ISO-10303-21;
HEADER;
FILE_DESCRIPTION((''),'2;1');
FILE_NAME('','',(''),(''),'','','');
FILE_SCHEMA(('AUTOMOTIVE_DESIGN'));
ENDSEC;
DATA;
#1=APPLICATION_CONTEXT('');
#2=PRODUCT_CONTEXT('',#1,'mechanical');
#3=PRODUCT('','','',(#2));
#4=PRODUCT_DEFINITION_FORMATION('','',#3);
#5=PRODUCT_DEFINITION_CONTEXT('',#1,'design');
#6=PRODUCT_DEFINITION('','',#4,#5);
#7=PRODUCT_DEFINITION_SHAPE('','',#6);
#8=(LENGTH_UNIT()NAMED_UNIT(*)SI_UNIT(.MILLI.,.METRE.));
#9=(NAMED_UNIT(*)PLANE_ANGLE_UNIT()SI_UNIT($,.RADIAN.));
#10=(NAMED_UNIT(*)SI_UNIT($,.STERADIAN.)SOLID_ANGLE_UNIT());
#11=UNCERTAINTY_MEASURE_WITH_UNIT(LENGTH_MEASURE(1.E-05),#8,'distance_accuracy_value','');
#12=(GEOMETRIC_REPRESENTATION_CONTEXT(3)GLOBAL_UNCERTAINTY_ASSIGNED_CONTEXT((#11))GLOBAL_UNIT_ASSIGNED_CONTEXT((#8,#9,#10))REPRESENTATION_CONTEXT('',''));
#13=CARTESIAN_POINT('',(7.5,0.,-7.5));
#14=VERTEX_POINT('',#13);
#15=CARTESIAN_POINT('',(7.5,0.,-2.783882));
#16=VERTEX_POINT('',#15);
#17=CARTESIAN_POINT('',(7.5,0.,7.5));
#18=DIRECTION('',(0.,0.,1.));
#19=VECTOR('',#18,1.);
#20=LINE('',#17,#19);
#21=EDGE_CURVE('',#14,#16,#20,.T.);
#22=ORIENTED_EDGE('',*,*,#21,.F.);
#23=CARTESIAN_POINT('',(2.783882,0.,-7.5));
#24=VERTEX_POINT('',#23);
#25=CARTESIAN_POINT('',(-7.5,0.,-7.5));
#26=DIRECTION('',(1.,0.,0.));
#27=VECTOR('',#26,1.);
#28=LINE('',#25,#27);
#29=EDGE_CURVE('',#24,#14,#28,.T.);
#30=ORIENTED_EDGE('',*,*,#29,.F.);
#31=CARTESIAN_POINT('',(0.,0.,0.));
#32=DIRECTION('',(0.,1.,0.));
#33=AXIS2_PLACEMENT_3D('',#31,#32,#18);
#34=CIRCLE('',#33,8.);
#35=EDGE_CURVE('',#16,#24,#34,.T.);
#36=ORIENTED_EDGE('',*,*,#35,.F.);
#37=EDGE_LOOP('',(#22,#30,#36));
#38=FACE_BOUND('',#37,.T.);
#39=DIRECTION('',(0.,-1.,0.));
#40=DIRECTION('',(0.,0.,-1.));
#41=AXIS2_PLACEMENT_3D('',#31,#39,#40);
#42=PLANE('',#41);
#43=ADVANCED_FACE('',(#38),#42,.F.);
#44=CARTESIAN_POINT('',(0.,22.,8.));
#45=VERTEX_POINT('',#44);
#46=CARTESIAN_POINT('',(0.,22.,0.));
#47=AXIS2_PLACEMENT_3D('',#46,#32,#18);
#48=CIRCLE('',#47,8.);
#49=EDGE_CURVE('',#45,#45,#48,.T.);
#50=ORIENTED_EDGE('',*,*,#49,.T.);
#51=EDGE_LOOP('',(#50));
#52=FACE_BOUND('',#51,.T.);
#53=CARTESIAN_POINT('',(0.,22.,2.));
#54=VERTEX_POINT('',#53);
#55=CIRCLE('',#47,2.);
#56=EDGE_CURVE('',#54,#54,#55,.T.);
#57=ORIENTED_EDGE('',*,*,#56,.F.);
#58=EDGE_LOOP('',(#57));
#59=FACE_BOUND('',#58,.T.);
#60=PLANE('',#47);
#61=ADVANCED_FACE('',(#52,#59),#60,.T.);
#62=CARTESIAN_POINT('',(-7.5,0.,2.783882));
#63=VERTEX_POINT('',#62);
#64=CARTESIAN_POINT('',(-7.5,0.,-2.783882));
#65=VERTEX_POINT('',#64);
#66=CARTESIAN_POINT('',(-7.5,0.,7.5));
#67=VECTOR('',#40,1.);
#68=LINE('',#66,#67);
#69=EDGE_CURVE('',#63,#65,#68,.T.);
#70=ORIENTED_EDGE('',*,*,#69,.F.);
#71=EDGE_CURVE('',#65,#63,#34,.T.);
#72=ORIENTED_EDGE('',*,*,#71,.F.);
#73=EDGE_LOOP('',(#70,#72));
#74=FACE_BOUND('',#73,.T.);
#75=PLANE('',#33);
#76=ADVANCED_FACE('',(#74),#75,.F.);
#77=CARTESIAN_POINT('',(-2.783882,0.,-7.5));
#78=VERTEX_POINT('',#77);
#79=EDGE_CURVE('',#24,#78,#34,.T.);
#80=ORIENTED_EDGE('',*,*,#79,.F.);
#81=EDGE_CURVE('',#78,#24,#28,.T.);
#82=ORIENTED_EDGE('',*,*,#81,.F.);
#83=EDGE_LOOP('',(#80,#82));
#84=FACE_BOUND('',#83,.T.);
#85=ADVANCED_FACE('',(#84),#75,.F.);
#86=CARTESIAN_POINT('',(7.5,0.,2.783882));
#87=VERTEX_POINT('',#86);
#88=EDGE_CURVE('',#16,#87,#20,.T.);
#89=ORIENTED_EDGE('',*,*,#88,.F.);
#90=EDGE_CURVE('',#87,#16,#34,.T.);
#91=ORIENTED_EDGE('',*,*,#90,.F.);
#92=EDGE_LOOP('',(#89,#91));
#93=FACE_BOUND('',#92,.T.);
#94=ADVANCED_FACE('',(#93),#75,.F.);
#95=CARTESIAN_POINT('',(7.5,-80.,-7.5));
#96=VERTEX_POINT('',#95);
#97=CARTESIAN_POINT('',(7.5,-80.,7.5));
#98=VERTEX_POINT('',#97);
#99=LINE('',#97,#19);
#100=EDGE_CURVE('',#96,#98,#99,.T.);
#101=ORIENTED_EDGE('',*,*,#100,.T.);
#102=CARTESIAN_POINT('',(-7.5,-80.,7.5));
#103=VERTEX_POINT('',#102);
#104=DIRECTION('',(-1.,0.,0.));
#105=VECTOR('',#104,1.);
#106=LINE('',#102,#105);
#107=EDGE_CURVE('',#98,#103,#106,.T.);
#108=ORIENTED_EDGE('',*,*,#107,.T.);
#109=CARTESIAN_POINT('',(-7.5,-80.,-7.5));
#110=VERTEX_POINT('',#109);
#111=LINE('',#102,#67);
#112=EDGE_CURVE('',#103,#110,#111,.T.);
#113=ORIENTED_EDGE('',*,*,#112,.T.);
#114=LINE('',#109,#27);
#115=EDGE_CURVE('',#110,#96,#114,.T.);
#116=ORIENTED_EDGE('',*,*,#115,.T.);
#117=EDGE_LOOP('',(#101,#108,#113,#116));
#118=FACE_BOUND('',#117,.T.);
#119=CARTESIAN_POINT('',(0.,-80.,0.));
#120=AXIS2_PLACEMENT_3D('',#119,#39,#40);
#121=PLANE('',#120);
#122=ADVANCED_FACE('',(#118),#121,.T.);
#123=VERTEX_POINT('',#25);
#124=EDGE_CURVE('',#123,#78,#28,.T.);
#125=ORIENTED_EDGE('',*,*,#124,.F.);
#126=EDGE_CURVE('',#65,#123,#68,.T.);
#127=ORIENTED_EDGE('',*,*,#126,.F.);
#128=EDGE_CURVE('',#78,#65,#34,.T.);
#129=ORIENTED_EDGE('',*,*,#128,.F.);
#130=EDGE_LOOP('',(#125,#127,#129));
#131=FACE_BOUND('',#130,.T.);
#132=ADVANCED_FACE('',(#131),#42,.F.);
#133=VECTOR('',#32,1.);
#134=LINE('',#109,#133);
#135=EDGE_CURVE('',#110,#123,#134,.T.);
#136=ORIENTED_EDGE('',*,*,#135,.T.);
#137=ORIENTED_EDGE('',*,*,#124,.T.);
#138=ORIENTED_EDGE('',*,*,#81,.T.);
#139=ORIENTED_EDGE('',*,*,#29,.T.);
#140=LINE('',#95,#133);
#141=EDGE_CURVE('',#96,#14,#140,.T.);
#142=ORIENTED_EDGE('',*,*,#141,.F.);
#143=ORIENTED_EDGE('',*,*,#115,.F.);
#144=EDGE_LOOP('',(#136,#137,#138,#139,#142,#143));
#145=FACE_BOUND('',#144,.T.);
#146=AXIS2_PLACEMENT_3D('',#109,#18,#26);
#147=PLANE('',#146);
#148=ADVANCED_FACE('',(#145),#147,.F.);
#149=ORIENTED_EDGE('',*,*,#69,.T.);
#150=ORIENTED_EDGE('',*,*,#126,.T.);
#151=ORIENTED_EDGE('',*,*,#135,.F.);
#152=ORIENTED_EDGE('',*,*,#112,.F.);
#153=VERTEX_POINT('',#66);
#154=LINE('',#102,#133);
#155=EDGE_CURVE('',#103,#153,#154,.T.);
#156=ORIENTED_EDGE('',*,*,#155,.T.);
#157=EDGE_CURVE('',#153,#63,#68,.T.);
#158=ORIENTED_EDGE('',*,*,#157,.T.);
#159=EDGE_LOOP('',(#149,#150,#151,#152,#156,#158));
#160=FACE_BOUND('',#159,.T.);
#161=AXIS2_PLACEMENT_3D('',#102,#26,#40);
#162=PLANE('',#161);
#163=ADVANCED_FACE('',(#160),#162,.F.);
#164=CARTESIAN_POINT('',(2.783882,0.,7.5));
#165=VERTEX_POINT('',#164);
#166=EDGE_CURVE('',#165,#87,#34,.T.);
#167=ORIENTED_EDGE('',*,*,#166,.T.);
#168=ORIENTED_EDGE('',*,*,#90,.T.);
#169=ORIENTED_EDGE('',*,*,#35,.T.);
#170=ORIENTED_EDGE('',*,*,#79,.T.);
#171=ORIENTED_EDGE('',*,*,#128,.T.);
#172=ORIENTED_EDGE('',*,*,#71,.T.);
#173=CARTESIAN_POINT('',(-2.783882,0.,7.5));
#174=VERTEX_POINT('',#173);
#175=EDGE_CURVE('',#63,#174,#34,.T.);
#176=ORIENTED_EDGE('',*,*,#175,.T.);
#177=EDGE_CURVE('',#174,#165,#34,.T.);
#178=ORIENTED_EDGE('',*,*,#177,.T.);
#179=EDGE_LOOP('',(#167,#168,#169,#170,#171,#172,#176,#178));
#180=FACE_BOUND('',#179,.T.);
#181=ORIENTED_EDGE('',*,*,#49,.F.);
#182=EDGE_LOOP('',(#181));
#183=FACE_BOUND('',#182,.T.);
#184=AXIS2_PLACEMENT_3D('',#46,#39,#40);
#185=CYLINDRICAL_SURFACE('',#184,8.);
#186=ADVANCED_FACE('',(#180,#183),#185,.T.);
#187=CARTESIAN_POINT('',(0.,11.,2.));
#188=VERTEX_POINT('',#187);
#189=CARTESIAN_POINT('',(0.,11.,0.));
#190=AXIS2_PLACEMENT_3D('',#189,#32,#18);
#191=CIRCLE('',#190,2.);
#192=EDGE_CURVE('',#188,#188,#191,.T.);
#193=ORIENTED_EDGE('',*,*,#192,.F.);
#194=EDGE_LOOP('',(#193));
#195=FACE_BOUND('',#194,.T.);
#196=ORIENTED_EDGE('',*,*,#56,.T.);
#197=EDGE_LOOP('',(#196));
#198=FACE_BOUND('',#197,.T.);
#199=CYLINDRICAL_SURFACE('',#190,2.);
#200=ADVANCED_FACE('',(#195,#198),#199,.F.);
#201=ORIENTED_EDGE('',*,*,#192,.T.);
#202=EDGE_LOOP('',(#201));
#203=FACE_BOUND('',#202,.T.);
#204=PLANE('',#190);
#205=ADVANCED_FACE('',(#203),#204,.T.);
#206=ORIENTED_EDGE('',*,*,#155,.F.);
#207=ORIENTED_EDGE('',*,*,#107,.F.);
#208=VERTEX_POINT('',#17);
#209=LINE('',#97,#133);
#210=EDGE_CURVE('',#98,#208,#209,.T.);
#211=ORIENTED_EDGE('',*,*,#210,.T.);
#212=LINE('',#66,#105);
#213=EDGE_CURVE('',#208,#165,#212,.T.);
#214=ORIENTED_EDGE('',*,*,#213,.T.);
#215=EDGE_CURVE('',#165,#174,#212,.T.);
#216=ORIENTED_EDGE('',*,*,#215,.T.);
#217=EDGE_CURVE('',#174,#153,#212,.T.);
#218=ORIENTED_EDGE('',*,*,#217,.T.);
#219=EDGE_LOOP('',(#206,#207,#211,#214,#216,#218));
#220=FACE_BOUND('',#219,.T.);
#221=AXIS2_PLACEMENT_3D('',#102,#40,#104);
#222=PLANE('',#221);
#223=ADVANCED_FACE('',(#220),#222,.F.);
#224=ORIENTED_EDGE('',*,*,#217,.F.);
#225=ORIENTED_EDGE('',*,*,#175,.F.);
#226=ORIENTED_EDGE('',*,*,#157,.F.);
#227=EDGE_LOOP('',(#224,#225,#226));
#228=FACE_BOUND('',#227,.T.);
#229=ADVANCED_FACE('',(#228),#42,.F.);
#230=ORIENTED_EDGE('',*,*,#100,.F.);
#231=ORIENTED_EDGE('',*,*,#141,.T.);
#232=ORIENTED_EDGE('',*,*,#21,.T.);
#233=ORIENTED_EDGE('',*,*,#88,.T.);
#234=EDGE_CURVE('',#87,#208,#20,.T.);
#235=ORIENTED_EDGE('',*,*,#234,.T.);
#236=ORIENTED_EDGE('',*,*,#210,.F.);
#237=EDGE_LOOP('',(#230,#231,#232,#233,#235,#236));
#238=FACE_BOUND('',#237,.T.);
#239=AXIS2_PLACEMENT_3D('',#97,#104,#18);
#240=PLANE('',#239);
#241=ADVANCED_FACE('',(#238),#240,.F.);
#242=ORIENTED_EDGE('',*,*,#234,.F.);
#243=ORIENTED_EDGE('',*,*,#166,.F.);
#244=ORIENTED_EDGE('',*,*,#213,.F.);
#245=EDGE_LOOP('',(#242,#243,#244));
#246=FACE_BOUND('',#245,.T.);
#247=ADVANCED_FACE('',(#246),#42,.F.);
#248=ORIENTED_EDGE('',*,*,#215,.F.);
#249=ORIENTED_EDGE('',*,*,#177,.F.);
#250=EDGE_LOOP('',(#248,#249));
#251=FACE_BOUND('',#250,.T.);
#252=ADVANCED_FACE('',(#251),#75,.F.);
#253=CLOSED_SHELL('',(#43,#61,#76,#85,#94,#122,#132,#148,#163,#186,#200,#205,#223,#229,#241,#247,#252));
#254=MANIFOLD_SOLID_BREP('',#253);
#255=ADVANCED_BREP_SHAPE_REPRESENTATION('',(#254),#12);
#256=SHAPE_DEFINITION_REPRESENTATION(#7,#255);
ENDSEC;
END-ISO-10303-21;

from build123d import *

# Parameters (mm, degrees)
SKETCH_1_R          = 8
EXTRUDE_1_DEPTH     = 22
SKETCH_2_W          = 15
SKETCH_2_H          = 15
EXTRUDE_2_DEPTH     = 80
SKETCH_3_R          = 2
CUT_EXTRUDE_1_DEPTH = 11


with BuildPart() as part:
    # 草图1 → 凸台-拉伸1 (new body)
    with BuildSketch(Plane(origin=(0, 0, 0), x_dir=(1, 0, 0), z_dir=(0, 1, 0))):
        Circle(SKETCH_1_R)
    extrude(amount=EXTRUDE_1_DEPTH)

    # 草图2 → 凸台-拉伸2 (add)
    with BuildSketch(Plane.XZ):
        Rectangle(SKETCH_2_W, SKETCH_2_H)
    extrude(amount=EXTRUDE_2_DEPTH)

    # 草图3 → 切除-拉伸1 (cut)
    with BuildSketch(Plane(origin=(0, 22, 0), x_dir=(1, 0, 0), z_dir=(0, 1, 0))):
        Circle(SKETCH_3_R)
    extrude(amount=-CUT_EXTRUDE_1_DEPTH, mode=Mode.SUBTRACT)


solid = part.part
